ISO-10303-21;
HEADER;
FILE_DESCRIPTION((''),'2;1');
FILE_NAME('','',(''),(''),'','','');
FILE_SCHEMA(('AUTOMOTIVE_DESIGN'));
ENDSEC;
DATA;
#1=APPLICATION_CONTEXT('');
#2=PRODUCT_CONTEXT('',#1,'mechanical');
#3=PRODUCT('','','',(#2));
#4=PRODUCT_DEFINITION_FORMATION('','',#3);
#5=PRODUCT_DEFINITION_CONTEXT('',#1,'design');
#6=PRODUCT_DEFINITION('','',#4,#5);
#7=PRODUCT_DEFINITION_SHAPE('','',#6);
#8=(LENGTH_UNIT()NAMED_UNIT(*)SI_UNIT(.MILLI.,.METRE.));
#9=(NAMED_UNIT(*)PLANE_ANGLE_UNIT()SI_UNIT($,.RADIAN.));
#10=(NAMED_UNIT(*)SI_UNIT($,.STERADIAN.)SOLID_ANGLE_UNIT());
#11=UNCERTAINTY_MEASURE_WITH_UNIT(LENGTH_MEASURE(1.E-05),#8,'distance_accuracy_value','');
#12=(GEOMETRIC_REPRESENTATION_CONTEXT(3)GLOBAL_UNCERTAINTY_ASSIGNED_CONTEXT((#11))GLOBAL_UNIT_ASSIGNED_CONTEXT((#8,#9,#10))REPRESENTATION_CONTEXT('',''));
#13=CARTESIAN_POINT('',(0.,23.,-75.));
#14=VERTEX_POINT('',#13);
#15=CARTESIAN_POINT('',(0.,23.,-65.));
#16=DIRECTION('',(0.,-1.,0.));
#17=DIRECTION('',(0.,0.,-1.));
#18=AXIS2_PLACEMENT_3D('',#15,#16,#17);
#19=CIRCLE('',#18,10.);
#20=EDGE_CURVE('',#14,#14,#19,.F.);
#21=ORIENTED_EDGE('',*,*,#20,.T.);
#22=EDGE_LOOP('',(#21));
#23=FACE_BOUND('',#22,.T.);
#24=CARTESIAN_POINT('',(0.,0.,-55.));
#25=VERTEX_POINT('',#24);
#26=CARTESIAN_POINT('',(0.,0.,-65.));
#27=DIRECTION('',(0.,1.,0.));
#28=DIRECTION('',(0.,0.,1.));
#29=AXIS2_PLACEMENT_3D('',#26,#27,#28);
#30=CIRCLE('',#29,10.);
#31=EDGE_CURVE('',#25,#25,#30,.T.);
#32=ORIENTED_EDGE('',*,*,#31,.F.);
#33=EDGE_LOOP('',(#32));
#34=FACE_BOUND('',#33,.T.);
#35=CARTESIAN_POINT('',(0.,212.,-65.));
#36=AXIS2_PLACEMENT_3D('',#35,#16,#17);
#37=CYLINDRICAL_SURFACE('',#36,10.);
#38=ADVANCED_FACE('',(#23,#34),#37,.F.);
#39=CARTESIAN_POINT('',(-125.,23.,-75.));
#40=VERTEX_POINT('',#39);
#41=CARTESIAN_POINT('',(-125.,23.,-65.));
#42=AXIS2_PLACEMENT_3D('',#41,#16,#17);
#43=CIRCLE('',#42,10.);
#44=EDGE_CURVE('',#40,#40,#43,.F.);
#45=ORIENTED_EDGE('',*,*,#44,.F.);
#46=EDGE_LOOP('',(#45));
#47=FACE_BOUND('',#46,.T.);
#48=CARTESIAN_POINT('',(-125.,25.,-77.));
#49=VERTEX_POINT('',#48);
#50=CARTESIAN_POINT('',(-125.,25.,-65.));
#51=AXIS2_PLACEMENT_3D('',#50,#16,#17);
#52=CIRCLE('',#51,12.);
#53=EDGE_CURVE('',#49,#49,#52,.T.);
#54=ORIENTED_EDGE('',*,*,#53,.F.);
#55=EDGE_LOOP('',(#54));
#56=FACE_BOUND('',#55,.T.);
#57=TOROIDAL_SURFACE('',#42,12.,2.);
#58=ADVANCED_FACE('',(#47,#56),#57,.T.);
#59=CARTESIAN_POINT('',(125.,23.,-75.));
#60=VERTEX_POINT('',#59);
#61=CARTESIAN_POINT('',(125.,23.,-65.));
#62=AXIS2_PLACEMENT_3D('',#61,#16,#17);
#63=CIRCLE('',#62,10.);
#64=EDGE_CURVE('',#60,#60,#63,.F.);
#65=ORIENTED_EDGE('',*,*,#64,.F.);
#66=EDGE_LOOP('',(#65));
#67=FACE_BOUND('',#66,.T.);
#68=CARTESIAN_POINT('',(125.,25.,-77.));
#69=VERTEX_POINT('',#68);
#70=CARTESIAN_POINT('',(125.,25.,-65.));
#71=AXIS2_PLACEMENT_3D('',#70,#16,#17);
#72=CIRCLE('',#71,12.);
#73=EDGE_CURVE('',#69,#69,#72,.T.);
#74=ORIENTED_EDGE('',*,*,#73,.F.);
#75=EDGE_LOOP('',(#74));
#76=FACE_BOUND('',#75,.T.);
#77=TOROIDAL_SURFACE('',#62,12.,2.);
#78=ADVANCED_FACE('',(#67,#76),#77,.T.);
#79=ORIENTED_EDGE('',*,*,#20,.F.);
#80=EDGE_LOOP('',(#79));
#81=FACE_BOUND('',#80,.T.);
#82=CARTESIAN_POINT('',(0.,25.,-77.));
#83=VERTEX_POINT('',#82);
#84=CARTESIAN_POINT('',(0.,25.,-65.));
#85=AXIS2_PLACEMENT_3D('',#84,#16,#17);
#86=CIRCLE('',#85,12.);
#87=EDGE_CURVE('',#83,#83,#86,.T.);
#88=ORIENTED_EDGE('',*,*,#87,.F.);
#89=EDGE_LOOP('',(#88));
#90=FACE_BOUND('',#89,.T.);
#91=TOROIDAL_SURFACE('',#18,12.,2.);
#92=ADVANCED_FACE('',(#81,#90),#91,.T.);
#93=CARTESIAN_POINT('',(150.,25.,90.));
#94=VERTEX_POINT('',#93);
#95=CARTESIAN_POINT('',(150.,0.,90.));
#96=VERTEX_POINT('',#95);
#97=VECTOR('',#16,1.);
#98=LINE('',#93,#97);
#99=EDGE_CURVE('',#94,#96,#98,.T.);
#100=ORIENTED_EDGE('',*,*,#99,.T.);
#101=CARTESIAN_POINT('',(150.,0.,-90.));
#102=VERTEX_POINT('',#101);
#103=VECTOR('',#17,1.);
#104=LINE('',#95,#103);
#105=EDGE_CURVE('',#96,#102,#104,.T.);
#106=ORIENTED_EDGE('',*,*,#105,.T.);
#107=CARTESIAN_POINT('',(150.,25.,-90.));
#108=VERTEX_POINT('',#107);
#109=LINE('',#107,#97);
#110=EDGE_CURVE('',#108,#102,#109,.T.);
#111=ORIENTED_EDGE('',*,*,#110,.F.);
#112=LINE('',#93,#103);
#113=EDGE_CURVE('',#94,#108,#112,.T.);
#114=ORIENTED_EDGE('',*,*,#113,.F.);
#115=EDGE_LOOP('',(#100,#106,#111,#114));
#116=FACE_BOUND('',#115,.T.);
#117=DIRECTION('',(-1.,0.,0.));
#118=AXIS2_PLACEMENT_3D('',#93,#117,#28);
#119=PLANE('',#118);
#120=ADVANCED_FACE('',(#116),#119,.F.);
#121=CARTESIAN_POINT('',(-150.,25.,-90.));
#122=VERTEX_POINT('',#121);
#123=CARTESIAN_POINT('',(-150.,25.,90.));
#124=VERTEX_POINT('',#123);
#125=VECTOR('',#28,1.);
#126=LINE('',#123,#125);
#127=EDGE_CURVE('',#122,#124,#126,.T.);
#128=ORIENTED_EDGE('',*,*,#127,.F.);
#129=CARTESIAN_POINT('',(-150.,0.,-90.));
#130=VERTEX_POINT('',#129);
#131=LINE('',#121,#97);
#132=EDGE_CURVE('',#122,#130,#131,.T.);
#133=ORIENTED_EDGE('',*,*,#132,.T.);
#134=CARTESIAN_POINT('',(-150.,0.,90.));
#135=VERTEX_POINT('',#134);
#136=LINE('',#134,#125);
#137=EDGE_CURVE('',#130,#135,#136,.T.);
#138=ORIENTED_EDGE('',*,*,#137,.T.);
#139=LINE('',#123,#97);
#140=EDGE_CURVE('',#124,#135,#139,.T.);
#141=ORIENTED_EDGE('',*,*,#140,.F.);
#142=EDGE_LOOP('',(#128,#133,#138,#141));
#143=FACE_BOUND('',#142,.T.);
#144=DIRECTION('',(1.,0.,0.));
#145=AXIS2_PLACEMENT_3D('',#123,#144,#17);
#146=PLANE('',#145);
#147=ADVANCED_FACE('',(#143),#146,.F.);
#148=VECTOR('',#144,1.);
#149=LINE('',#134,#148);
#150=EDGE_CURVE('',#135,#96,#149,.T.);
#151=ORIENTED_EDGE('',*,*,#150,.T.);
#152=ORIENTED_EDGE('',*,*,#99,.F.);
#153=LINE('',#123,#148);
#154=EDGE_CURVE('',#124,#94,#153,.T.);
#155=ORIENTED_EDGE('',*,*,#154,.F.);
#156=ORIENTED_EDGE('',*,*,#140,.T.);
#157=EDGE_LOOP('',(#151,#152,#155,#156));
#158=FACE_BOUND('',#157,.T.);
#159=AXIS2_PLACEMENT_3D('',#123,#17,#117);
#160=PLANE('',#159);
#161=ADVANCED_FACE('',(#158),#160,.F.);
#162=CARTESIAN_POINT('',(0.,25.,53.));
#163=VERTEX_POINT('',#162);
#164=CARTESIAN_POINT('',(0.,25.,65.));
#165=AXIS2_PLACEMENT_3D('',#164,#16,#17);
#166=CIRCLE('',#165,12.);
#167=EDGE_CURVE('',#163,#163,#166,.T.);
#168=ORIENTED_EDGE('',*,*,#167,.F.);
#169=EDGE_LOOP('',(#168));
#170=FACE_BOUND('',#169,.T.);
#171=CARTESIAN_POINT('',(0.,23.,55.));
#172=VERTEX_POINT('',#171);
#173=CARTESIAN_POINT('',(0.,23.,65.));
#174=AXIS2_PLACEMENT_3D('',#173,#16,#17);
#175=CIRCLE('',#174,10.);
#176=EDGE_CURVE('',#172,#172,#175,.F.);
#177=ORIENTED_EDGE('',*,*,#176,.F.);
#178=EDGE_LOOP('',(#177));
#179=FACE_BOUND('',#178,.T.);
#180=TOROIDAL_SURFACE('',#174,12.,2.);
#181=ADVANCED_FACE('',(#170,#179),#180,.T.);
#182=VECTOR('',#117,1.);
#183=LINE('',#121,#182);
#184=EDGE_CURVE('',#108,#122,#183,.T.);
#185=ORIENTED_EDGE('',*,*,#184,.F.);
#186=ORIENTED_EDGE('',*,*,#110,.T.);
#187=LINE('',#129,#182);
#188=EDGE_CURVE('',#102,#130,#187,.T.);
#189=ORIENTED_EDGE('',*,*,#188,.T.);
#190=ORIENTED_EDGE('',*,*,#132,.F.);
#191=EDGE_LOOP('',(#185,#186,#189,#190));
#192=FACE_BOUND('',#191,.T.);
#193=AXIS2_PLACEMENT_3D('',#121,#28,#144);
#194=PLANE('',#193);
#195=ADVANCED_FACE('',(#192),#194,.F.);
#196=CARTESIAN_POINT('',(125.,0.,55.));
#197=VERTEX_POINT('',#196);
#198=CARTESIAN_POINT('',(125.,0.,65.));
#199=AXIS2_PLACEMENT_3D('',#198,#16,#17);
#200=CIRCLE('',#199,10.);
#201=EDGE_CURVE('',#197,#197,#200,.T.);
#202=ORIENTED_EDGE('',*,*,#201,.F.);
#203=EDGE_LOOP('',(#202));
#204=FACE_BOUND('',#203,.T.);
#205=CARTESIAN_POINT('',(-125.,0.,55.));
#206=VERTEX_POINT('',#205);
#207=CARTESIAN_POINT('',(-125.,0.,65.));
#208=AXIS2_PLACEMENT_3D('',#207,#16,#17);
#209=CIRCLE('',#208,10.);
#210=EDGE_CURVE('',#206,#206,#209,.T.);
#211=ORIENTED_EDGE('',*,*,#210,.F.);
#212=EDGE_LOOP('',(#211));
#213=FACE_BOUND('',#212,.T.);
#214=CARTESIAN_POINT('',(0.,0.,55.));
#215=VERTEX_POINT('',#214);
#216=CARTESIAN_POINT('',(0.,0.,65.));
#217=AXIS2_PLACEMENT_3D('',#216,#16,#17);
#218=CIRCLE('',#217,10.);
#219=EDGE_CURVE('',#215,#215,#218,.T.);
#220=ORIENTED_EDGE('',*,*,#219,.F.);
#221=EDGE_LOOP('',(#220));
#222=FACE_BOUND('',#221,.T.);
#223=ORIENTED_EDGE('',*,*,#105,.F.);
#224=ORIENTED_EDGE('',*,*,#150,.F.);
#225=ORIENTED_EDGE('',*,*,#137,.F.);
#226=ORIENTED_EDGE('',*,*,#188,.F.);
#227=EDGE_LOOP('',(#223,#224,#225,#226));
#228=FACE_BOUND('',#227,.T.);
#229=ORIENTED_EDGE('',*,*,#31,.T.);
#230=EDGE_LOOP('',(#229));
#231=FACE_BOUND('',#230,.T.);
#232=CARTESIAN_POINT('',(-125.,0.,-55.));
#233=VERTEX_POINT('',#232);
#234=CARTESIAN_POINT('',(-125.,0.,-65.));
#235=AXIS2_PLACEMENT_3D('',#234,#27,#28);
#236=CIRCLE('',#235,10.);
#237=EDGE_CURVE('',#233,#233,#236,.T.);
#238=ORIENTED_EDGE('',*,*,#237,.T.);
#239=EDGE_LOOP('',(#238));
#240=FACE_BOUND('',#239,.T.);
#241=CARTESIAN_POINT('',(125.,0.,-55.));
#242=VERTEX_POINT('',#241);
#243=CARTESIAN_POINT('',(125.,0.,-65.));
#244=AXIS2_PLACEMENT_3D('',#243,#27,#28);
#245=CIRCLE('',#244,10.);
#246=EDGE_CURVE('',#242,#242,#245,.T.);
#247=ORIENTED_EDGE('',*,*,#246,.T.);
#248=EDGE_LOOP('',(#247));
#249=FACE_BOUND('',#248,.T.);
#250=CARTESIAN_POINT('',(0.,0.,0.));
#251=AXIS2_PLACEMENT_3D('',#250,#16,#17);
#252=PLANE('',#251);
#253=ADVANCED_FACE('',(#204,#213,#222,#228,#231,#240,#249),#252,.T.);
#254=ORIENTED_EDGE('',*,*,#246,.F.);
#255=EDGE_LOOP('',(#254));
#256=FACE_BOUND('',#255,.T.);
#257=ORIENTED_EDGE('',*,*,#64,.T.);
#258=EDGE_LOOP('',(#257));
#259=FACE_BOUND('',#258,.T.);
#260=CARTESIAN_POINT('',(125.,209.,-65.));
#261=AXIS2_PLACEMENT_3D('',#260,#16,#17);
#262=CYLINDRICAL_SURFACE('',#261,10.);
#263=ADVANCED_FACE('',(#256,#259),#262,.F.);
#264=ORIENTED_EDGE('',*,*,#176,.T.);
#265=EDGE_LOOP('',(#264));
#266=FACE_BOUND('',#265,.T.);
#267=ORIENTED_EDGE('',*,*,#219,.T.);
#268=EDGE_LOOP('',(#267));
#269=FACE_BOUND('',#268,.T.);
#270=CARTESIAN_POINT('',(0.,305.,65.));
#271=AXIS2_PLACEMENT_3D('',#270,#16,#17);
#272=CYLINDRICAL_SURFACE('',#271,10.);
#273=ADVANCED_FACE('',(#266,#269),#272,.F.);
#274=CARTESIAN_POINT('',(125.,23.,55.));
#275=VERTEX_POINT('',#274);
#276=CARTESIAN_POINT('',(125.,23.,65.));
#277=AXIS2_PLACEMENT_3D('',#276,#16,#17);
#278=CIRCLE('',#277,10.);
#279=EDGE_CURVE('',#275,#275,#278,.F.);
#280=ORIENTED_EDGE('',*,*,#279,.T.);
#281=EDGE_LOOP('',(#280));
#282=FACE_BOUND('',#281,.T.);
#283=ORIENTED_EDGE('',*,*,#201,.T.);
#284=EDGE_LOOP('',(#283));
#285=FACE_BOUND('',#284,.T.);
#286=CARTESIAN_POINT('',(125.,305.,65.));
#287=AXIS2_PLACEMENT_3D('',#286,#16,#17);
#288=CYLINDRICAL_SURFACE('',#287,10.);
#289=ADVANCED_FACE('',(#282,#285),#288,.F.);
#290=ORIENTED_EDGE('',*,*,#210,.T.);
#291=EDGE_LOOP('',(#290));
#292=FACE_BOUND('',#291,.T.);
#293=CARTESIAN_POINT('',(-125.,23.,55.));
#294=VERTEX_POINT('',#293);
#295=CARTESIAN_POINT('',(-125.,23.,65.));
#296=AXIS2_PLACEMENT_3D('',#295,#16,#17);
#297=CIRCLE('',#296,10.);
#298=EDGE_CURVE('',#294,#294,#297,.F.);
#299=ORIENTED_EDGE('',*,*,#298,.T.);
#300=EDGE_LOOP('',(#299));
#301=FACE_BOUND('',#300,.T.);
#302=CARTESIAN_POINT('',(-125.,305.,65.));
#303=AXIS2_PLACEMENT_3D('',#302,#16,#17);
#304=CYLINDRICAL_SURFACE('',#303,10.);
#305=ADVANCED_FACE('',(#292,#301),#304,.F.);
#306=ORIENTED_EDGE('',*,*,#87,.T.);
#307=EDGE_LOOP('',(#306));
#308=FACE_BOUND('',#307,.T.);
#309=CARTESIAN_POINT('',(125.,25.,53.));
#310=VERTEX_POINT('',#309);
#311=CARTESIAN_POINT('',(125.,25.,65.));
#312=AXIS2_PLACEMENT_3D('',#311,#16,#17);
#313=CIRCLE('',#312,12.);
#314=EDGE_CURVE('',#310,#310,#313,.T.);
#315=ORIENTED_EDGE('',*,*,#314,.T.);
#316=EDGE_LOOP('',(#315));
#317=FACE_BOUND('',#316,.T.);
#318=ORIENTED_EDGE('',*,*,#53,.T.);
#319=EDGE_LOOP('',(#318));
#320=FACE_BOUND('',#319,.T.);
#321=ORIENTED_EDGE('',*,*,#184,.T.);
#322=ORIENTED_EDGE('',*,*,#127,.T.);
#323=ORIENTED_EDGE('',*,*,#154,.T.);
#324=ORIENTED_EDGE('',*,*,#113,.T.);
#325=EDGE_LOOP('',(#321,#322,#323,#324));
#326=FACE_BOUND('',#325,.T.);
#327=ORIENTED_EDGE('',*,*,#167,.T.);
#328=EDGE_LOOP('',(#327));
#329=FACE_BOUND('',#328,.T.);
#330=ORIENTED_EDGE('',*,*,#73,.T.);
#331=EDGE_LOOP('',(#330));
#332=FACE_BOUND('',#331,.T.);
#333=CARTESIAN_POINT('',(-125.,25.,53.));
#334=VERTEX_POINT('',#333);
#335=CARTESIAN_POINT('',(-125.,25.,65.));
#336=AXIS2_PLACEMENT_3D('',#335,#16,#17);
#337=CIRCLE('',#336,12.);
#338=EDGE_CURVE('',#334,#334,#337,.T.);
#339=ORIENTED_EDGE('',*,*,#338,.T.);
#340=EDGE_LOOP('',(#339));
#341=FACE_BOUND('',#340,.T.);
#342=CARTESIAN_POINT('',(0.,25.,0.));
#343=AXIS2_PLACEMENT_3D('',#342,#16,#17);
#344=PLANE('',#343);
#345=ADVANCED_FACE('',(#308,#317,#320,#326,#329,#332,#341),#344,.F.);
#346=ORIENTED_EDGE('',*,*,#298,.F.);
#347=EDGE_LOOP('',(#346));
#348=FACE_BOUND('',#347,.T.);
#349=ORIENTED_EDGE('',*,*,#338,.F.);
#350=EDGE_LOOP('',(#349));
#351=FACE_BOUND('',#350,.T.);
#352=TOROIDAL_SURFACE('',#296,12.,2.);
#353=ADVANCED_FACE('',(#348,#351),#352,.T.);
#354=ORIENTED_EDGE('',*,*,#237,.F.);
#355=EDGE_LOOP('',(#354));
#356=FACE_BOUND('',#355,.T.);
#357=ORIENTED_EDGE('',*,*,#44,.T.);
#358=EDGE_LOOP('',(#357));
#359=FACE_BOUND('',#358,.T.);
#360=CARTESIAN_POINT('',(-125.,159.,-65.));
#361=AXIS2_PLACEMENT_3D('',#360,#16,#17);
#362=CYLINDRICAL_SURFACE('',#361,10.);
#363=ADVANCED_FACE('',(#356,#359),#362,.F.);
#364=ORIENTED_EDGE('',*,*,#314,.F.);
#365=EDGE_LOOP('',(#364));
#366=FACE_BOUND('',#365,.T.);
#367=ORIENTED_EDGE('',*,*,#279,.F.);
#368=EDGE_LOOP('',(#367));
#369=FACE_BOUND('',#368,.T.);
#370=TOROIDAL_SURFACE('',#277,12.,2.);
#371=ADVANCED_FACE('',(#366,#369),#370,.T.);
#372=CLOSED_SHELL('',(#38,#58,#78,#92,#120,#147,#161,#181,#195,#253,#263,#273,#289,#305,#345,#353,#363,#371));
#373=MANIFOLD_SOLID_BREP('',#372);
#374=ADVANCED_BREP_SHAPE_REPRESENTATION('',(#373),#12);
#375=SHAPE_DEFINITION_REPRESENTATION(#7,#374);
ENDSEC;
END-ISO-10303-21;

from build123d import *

# Parameters (mm, degrees)
SKETCH1_W           = 300
SKETCH1_H           = 180
BOSS_EXTRUDE1_DEPTH = 25
SKETCH2_R           = 10
CUT_EXTRUDE4_DEPTH  = 212
SKETCH2_5_R         = 10
CUT_EXTRUDE5_DEPTH  = 159
SKETCH2_6_R         = 10
CUT_EXTRUDE6_DEPTH  = 209
SKETCH2_7_R         = 10
CUT_EXTRUDE7_DEPTH  = 305
FILLET1_R           = 2


with BuildPart() as part:
    # Sketch1 → Boss-Extrude1 (new body)
    with BuildSketch(Plane(origin=(0, 0, 0), x_dir=(1, 0, 0), z_dir=(0, 1, 0))):
        Rectangle(SKETCH1_W, SKETCH1_H)
    extrude(amount=BOSS_EXTRUDE1_DEPTH)

    # Sketch2 → Cut-Extrude4 (cut)
    with BuildSketch(Plane(origin=(0, 0, 0), x_dir=(1, 0, 0), z_dir=(0, 1, 0))):
        with Locations((0, 65)):
            Circle(SKETCH2_R)
    extrude(amount=CUT_EXTRUDE4_DEPTH, mode=Mode.SUBTRACT)

    # Sketch2<5> → Cut-Extrude5 (cut)
    with BuildSketch(Plane(origin=(0, 0, 0), x_dir=(1, 0, 0), z_dir=(0, 1, 0))):
        with Locations((-125, 65)):
            Circle(SKETCH2_5_R)
    extrude(amount=CUT_EXTRUDE5_DEPTH, mode=Mode.SUBTRACT)

    # Sketch2<6> → Cut-Extrude6 (cut)
    with BuildSketch(Plane(origin=(0, 0, 0), x_dir=(1, 0, 0), z_dir=(0, 1, 0))):
        with Locations((125, 65)):
            Circle(SKETCH2_6_R)
    extrude(amount=CUT_EXTRUDE6_DEPTH, mode=Mode.SUBTRACT)

    # Sketch2<7> → Cut-Extrude7 (cut)
    with BuildSketch(Plane(origin=(0, 0, 0), x_dir=(1, 0, 0), z_dir=(0, 1, 0))):
        with Locations((125, -65)):
            Circle(SKETCH2_7_R)
        with Locations((0, -65)):
            Circle(SKETCH2_7_R)
        with Locations((-125, -65)):
            Circle(SKETCH2_7_R)
    extrude(amount=CUT_EXTRUDE7_DEPTH, mode=Mode.SUBTRACT)

    # Fillet1
    fillet1_edges = [part.edges().sort_by_distance(p)[0] for p in [
        (-10, 25, -65),
        (-135, 25, -65),
        (115, 25, -65),
        (-135, 25, 65),
        (-10, 25, 65),
        (115, 25, 65),
    ]]
    fillet(fillet1_edges, radius=FILLET1_R)


solid = part.part
